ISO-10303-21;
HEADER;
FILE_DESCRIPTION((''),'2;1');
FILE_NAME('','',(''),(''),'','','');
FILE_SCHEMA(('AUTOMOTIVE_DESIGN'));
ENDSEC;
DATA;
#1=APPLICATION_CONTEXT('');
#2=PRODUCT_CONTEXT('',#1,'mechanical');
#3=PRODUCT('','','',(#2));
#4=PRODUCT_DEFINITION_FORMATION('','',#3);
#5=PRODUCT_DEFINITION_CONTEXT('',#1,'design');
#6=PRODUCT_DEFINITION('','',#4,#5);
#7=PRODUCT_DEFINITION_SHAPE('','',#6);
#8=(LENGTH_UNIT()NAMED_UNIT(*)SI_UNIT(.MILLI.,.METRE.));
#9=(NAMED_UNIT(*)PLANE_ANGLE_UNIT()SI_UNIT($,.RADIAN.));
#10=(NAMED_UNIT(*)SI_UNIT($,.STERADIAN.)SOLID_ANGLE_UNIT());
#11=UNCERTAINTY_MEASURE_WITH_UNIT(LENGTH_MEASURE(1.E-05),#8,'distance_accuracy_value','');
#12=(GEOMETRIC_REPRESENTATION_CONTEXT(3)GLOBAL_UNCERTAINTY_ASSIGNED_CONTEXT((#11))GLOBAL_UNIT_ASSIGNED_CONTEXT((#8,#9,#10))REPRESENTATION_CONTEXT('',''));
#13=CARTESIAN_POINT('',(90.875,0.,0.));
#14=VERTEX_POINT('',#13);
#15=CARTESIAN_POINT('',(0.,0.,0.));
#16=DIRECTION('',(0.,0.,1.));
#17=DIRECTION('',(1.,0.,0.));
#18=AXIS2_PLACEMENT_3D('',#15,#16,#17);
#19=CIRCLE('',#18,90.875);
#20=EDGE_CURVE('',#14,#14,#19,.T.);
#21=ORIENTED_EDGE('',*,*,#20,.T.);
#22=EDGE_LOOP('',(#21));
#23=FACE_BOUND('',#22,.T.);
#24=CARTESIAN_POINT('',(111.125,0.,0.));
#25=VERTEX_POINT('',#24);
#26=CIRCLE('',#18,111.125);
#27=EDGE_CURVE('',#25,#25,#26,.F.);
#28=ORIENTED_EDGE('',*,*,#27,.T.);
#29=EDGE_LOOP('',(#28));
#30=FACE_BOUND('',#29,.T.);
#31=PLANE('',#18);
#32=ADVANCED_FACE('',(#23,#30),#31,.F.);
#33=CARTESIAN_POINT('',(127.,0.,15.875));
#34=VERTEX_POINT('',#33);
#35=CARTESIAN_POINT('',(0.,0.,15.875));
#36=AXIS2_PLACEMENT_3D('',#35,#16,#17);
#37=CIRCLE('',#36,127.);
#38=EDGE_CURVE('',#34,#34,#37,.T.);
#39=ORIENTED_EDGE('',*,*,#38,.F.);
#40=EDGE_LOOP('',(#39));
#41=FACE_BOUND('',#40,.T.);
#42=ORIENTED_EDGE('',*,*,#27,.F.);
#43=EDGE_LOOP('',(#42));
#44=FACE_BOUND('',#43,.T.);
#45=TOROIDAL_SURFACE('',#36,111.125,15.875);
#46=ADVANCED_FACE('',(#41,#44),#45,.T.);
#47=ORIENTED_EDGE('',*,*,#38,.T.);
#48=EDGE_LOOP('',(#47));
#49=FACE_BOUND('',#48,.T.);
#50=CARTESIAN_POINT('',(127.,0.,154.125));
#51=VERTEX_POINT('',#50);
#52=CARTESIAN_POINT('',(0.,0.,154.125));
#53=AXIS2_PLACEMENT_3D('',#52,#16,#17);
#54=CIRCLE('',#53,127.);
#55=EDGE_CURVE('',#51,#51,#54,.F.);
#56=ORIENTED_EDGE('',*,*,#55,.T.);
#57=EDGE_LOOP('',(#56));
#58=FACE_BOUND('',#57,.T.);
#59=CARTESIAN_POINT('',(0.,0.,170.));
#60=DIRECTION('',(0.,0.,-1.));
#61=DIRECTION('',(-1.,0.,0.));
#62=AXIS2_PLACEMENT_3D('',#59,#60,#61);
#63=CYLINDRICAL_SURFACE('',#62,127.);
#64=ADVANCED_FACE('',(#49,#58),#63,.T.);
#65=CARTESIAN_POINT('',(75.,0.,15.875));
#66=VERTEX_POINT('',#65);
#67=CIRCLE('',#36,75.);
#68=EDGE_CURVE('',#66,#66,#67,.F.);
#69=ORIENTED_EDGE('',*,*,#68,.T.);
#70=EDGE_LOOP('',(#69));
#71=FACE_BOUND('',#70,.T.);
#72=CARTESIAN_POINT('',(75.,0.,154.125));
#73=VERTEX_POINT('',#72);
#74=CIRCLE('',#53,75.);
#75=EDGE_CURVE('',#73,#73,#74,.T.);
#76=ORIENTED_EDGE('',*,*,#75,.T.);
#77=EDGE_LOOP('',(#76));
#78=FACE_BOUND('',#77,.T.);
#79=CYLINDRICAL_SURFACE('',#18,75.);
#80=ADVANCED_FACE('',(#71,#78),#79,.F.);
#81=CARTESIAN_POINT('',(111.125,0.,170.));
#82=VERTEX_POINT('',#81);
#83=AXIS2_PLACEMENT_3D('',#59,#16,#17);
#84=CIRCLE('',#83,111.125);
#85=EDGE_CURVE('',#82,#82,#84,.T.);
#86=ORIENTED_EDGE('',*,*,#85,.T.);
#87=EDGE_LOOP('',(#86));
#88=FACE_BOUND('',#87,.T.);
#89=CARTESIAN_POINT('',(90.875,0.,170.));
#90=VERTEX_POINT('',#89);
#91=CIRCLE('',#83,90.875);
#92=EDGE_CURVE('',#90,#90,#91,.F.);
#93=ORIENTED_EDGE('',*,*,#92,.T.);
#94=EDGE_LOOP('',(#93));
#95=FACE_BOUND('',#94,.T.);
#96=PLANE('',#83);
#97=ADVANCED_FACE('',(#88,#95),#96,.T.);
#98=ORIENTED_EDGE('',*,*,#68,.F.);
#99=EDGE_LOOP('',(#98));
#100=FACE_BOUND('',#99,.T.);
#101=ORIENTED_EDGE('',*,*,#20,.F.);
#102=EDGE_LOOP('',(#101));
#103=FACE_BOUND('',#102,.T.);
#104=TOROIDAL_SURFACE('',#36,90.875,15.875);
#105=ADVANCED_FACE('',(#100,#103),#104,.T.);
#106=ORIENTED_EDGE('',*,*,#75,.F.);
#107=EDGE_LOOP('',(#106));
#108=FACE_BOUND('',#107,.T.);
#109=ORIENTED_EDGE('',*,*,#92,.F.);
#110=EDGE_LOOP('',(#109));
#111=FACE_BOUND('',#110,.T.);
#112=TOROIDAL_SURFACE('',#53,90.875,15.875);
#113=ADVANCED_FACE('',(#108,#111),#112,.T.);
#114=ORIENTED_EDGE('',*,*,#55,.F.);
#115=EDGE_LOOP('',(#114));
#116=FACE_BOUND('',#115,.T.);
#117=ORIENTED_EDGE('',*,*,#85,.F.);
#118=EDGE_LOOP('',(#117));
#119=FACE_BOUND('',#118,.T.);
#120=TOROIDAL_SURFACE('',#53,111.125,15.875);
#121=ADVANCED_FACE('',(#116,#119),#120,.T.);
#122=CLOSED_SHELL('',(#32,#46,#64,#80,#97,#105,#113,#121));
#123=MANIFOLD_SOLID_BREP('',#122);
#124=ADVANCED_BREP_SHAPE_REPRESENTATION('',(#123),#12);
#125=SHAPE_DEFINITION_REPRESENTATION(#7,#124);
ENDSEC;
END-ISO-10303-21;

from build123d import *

# Parameters (mm, degrees)
SKETCH1_R           = 127
BOSS_EXTRUDE1_DEPTH = 170
SKETCH2_R           = 75
CUT_EXTRUDE1_DEPTH  = 171
FILLET1_R           = 15.875


with BuildPart() as part:
    # Sketch1 → Boss-Extrude1 (new body)
    with BuildSketch(Plane.XY):
        Circle(SKETCH1_R)
    extrude(amount=BOSS_EXTRUDE1_DEPTH)

    # Sketch2 → Cut-Extrude1 (cut, through all)
    with BuildSketch(Plane.XY.offset(170)):
        Circle(SKETCH2_R)
    extrude(amount=-CUT_EXTRUDE1_DEPTH, mode=Mode.SUBTRACT)

    # Fillet1
    fillet1_edges = [part.edges().sort_by_distance(p)[0] for p in [
        (-127, 0, 0),
        (-127, 0, 170),
        (-75, 0, 0),
        (-75, 0, 170),
    ]]
    fillet(fillet1_edges, radius=FILLET1_R)


solid = part.part
